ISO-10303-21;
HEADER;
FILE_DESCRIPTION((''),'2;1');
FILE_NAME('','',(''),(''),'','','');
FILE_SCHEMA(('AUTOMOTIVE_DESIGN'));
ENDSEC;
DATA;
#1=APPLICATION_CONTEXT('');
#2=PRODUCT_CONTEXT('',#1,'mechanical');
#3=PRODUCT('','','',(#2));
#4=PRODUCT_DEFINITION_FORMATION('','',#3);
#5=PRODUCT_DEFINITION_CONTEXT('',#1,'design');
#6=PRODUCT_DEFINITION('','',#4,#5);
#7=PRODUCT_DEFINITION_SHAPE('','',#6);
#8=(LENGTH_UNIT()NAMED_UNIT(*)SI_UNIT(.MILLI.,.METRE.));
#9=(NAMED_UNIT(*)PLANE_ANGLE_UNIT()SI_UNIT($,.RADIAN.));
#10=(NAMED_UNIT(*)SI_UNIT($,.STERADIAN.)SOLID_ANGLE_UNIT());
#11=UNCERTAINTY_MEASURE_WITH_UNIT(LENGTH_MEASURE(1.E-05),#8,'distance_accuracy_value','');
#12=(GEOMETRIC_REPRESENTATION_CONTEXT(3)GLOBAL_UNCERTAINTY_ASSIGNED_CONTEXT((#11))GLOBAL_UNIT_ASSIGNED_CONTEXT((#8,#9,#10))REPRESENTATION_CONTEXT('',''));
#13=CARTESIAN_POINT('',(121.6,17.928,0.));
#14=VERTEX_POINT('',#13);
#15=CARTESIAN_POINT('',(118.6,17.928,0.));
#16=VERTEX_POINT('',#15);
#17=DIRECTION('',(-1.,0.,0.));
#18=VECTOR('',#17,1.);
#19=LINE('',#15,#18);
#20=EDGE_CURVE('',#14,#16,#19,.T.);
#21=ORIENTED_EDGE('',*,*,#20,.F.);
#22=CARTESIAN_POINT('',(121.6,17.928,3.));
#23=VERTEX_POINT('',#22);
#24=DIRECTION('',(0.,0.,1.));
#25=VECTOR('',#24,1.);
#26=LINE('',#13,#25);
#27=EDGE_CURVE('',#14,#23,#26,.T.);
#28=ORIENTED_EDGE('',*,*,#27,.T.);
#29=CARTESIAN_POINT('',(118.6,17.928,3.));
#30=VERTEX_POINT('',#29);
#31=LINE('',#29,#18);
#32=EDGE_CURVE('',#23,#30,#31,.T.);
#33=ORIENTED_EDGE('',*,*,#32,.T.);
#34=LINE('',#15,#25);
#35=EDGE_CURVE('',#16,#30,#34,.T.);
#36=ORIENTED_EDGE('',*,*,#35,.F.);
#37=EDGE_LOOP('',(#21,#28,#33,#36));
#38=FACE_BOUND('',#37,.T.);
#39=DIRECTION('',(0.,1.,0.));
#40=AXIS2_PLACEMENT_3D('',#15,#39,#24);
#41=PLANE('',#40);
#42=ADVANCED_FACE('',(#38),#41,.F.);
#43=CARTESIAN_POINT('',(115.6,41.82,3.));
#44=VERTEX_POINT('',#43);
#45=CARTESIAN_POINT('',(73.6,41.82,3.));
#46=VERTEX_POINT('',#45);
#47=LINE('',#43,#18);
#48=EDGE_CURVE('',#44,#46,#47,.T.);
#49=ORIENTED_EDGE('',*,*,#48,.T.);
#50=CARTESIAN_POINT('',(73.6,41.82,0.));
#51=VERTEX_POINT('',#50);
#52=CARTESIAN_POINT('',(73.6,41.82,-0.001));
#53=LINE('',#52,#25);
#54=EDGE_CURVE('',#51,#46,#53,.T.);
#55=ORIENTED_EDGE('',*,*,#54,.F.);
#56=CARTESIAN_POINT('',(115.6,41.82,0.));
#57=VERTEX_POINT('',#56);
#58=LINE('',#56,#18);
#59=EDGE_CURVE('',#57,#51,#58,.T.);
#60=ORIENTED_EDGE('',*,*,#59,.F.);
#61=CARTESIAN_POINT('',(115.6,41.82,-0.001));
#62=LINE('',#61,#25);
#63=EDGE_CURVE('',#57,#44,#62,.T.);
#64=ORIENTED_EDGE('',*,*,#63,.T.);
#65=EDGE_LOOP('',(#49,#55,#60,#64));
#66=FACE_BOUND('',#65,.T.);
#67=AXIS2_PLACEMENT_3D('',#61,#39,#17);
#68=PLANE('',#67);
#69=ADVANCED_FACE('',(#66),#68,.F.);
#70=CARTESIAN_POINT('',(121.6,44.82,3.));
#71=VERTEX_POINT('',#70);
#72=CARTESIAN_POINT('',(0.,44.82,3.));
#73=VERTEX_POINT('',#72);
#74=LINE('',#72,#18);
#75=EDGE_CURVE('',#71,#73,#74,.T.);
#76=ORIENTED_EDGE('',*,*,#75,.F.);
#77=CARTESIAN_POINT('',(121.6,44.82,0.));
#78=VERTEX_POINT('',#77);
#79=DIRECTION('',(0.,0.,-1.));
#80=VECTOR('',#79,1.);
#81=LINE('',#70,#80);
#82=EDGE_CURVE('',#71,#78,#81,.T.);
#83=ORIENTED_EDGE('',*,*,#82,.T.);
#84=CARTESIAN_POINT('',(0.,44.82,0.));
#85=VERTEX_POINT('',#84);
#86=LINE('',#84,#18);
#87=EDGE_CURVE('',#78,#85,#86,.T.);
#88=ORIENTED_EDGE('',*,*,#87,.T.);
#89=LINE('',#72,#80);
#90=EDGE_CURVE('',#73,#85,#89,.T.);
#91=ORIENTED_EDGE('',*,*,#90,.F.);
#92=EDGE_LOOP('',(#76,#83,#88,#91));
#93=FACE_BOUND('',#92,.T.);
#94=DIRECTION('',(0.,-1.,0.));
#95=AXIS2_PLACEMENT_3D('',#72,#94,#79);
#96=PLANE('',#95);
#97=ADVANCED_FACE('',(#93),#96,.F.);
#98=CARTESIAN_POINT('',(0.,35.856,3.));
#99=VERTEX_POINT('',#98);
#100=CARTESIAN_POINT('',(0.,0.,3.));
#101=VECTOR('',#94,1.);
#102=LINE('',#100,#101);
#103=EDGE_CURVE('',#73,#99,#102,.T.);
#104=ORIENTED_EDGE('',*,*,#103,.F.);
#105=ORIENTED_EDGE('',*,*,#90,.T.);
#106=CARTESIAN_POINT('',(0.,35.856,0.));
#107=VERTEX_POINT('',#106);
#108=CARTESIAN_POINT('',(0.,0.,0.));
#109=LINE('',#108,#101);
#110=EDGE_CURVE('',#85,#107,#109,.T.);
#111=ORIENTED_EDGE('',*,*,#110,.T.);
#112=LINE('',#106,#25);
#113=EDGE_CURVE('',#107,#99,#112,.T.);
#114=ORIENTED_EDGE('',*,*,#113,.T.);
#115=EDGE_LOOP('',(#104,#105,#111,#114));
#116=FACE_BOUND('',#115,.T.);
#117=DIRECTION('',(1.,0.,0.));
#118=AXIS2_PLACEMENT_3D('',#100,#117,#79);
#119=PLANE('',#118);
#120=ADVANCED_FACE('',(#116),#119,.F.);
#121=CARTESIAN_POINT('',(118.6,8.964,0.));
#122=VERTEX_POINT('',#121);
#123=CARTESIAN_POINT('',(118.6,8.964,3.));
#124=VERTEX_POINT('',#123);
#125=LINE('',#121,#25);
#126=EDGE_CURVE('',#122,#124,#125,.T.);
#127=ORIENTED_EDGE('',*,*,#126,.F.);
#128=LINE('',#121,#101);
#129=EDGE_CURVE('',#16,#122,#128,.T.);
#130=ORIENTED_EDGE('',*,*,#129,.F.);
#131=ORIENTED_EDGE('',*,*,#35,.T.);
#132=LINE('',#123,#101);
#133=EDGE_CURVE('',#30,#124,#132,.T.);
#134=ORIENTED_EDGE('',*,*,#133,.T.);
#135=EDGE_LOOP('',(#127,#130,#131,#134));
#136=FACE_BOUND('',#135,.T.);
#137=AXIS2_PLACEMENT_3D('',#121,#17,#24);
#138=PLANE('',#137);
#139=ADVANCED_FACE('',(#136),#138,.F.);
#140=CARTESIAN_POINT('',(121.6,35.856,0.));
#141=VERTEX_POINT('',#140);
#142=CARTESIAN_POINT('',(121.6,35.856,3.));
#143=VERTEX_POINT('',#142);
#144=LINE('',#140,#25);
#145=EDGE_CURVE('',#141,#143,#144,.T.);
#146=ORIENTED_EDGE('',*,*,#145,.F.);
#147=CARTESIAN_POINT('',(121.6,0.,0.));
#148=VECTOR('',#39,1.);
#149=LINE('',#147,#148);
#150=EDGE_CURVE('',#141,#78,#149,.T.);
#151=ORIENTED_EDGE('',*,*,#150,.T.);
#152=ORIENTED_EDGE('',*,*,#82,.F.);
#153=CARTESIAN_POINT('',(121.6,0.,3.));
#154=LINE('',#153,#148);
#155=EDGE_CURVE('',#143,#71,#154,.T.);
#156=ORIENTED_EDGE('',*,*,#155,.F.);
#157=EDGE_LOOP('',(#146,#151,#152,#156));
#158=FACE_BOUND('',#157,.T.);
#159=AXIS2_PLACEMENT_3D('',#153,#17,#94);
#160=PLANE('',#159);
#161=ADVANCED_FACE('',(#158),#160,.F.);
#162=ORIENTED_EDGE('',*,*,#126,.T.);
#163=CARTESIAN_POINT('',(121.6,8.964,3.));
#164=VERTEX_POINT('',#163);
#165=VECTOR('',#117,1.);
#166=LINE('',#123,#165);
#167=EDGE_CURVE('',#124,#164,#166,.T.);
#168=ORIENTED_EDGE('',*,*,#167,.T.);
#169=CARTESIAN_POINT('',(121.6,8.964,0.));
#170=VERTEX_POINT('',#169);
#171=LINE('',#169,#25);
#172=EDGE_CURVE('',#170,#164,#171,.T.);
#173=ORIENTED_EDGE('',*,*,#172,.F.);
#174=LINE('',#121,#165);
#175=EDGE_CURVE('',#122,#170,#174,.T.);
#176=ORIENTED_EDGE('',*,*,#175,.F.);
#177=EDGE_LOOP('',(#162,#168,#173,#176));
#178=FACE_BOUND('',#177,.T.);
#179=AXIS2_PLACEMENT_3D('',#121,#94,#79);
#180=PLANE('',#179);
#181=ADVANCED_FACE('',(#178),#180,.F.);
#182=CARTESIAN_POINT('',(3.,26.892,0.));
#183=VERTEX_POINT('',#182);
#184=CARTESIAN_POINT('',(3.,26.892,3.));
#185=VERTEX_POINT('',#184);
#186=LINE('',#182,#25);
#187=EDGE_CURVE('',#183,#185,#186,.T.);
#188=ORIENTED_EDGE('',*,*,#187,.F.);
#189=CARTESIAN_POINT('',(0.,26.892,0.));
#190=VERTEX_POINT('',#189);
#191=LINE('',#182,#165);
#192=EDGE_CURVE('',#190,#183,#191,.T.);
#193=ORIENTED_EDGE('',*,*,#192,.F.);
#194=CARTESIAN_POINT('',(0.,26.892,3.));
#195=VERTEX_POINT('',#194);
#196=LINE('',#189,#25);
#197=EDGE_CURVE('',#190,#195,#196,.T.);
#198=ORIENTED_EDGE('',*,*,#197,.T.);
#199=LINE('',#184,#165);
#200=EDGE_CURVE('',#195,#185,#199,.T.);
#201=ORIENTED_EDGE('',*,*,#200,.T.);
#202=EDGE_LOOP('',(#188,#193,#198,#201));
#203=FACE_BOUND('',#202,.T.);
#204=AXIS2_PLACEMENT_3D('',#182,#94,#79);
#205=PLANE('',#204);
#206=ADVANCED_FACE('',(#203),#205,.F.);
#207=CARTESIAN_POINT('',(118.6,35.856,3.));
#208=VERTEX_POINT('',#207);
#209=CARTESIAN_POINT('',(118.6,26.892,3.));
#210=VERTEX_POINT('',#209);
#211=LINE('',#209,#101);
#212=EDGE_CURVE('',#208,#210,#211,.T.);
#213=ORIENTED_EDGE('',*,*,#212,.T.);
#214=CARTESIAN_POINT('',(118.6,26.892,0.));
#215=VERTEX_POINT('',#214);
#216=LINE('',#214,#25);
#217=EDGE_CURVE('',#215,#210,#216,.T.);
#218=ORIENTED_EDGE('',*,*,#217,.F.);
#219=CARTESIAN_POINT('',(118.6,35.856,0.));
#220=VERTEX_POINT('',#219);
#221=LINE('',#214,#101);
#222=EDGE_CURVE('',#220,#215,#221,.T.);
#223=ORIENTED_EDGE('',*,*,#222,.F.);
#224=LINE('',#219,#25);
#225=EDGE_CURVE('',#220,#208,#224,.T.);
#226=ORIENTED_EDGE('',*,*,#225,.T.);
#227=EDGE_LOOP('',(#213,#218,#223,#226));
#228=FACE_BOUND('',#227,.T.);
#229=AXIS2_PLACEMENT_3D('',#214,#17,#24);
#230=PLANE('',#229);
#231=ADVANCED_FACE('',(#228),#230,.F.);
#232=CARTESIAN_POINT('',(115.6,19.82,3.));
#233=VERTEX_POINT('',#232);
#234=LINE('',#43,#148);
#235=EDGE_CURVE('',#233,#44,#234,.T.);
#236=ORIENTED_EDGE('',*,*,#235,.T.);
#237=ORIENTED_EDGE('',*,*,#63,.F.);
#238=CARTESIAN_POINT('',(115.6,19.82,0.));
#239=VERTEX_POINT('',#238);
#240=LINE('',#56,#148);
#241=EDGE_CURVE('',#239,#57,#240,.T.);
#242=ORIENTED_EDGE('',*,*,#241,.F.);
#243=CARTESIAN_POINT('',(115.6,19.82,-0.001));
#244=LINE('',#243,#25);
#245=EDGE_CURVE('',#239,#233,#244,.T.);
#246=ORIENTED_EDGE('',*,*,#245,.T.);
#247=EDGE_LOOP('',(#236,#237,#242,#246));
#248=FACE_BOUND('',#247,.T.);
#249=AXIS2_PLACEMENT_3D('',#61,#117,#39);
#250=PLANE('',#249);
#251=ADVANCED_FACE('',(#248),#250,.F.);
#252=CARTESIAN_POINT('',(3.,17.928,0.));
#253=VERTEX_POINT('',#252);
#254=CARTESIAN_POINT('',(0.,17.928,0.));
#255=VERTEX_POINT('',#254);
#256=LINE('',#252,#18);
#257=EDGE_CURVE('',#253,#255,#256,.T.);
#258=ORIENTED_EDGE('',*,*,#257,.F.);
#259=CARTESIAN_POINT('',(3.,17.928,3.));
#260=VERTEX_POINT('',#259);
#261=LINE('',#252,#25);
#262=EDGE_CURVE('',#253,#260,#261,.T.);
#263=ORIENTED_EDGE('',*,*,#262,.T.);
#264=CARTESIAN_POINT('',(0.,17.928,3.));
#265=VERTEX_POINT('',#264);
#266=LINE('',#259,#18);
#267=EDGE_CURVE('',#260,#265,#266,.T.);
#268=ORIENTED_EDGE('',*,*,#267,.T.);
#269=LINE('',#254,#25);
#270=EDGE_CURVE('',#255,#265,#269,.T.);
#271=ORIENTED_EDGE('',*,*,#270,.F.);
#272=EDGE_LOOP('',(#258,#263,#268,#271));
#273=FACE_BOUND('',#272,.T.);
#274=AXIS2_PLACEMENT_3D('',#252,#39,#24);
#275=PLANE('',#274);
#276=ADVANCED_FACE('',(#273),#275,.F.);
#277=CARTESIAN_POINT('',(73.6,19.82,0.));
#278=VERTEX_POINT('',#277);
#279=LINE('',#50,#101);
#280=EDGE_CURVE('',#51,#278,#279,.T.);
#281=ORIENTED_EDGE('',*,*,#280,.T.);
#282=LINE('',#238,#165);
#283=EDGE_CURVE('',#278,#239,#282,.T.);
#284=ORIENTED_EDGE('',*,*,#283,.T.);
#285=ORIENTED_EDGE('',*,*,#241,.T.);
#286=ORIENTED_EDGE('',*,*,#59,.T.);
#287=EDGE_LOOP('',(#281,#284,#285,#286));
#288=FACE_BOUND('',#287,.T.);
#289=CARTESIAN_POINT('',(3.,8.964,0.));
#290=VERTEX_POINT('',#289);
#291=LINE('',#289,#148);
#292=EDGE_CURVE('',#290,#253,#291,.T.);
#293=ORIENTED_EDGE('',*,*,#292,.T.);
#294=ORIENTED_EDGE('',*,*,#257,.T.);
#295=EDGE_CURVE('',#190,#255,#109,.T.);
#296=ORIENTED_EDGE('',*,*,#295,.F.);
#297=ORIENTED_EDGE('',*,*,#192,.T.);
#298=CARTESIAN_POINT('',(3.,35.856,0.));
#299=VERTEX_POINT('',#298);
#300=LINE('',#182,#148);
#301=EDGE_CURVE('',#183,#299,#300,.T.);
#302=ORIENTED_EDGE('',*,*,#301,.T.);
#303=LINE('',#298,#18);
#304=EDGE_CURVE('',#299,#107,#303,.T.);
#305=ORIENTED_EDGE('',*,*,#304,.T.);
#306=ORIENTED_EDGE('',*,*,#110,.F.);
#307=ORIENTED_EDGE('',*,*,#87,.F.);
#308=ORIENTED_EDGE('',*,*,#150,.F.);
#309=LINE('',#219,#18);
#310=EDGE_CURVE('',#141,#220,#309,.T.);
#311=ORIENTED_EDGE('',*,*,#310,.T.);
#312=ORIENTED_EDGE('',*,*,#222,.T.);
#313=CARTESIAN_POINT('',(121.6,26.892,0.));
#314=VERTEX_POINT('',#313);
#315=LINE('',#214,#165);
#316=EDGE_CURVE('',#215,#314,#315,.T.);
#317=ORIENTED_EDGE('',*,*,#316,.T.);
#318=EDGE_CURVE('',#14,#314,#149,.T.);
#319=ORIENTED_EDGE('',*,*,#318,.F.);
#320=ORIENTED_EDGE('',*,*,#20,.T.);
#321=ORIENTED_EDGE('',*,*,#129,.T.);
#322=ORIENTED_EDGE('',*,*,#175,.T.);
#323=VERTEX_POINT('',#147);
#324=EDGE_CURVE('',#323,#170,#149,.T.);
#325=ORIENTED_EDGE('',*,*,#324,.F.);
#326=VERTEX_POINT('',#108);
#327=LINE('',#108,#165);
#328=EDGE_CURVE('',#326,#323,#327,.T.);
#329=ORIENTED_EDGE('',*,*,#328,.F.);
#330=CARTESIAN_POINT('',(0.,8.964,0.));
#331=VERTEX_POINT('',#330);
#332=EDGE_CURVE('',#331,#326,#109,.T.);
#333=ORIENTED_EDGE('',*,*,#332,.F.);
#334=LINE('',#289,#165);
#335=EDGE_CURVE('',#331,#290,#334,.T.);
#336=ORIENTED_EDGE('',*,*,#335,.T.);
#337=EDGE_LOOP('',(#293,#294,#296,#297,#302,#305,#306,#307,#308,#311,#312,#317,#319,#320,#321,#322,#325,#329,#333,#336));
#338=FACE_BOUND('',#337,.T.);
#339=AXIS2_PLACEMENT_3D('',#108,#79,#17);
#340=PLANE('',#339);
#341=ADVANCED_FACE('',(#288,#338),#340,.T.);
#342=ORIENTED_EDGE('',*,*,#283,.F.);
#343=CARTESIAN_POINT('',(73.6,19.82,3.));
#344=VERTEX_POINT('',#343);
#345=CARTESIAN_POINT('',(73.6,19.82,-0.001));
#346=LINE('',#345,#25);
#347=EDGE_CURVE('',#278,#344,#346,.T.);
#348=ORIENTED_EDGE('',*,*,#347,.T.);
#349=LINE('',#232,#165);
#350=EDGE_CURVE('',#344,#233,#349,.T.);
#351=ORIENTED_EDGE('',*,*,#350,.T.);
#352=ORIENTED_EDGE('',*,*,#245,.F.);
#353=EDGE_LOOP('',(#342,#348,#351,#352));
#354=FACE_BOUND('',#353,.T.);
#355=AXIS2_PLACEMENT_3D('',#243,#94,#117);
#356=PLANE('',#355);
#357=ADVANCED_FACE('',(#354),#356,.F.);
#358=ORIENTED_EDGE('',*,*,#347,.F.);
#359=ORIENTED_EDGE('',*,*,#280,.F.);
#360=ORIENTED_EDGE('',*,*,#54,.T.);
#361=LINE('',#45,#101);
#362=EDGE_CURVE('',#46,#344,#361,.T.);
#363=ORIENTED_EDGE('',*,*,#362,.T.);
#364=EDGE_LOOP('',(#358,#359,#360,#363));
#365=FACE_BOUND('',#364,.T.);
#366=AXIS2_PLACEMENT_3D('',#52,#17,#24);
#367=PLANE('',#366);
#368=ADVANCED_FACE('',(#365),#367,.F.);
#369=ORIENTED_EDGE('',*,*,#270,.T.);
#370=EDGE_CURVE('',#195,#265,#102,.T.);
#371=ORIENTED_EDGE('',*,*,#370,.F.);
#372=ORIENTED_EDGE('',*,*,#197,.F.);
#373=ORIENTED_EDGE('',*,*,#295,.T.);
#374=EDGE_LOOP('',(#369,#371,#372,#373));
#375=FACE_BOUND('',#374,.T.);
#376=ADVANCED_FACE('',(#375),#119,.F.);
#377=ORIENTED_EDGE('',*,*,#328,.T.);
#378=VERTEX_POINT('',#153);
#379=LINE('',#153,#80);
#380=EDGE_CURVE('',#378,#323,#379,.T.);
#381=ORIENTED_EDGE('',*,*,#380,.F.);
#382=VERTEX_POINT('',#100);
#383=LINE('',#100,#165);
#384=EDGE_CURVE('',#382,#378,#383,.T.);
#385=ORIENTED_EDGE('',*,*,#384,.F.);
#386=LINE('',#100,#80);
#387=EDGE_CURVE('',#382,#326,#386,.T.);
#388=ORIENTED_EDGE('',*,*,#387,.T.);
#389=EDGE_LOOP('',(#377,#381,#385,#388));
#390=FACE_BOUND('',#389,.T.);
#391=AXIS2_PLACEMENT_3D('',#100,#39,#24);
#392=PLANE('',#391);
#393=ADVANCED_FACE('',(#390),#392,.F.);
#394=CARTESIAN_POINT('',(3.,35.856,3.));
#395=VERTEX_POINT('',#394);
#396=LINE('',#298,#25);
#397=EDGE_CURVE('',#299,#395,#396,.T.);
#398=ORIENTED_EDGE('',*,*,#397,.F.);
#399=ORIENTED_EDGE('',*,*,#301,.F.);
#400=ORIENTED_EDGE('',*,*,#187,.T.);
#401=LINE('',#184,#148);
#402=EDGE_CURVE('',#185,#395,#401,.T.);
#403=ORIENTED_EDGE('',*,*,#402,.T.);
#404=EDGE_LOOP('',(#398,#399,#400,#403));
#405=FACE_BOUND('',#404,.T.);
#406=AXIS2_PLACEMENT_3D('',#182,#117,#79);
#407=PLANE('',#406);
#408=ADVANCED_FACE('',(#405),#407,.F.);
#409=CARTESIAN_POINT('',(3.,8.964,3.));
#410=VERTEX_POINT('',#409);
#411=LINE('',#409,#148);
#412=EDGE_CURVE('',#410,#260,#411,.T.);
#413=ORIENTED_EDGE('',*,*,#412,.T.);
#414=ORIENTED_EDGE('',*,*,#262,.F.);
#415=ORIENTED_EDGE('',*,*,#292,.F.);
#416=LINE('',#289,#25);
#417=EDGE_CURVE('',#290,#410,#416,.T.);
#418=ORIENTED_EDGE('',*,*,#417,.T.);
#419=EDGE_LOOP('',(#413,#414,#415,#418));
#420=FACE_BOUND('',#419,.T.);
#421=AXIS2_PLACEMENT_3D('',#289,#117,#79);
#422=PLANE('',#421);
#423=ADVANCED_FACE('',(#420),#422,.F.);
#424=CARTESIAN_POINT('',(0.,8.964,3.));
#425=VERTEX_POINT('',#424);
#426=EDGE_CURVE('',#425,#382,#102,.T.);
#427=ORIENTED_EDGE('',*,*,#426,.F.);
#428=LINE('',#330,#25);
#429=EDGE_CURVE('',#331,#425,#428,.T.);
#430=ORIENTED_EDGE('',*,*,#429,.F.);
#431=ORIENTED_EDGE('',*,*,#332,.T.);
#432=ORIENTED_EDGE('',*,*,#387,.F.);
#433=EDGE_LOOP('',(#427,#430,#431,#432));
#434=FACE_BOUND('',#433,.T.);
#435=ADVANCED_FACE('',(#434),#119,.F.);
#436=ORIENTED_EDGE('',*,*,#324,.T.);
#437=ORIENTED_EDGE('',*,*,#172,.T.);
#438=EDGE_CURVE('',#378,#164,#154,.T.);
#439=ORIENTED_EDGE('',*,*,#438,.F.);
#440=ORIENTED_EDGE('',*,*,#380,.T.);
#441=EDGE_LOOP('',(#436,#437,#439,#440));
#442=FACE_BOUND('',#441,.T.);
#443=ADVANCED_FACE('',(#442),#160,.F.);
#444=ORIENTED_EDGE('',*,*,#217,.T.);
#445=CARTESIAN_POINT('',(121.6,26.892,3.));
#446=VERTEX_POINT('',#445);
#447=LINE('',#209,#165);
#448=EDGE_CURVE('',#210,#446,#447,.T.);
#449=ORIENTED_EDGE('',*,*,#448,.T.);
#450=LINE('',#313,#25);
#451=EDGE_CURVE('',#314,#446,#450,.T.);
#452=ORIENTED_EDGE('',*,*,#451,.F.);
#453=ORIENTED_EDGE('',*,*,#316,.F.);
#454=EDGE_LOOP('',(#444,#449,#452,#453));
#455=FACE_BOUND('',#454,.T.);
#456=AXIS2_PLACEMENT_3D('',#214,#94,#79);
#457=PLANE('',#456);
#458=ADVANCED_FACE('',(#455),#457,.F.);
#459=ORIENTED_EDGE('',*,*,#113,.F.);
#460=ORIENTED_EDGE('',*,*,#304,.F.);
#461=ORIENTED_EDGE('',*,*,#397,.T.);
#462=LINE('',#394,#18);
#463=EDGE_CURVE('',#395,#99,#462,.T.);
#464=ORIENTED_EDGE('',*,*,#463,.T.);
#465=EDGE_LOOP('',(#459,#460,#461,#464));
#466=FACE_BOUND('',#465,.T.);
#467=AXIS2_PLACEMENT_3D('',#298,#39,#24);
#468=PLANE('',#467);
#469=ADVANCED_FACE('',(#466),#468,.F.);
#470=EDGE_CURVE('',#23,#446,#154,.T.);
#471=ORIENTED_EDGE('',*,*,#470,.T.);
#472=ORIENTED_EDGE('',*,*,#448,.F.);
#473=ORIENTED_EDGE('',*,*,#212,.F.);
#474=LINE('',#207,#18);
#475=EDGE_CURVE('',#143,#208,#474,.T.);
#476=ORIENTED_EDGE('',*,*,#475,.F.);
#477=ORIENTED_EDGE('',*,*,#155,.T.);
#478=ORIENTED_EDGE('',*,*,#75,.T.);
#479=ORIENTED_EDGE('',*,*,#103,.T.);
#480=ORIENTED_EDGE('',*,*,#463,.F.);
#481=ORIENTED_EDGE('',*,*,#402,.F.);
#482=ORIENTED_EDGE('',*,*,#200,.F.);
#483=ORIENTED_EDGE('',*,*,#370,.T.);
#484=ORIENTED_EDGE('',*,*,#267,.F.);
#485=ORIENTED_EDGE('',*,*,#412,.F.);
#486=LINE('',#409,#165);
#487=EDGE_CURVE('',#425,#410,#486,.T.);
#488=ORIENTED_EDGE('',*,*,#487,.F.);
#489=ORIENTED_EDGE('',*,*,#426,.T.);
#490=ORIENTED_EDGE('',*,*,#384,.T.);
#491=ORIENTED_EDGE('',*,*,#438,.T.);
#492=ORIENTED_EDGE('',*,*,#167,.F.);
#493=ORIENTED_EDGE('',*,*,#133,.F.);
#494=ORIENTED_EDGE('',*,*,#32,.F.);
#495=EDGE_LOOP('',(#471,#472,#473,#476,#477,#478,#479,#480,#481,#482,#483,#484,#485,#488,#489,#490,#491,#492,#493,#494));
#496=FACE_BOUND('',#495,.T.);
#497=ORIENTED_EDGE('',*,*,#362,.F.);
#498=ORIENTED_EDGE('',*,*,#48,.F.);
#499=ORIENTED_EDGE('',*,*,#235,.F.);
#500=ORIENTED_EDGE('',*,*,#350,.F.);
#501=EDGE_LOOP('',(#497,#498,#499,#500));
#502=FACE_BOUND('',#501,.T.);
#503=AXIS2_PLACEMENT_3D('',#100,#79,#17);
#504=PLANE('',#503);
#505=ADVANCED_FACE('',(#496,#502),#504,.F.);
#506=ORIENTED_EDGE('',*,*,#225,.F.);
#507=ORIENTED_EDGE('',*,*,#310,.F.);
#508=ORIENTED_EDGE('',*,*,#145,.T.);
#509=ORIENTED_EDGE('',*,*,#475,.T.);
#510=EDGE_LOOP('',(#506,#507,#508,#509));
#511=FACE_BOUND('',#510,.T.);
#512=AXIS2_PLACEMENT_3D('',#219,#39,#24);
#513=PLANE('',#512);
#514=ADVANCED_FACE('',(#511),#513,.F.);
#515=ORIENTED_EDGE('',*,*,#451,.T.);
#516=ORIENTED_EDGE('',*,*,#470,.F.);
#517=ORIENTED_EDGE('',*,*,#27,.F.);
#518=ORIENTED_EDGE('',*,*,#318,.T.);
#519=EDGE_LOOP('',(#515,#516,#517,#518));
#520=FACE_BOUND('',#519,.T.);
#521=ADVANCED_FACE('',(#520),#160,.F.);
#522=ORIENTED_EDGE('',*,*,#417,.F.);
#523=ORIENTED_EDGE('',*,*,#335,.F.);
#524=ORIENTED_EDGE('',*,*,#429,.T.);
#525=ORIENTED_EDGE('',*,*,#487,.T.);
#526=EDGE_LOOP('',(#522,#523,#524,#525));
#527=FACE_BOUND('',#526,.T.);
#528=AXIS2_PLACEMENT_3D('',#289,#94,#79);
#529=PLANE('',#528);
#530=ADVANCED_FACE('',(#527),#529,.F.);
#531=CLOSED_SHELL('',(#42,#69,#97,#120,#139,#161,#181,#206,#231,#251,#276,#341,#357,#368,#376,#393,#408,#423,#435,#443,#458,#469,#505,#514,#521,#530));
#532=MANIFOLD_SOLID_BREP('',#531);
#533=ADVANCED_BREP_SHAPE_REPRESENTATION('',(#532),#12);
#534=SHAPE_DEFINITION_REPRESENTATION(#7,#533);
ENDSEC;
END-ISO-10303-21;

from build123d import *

# Parameters (mm, degrees)
SKETCH1_W           = 121.6
SKETCH1_H           = 44.82
BOSS_EXTRUDE1_DEPTH = 3
CUT_EXTRUDE1_REACH  = 5
SKETCH4_W           = 42
SKETCH4_H           = 22
SKETCH5_W           = 3
SKETCH5_H           = 8.964
CUT_EXTRUDE2_DEPTH  = 4


with BuildPart() as part:
    # Sketch1 → Boss-Extrude1 (new body)
    with BuildSketch(Plane.XY):
        with Locations((60.8, 22.41)):
            Rectangle(SKETCH1_W, SKETCH1_H)
    extrude(amount=BOSS_EXTRUDE1_DEPTH)

    # Sketch4 → Cut-Extrude1 (cut, up to next)
    with BuildSketch(Plane.XY.offset(3), mode=Mode.PRIVATE) as cut_extrude1_sk1:
        with Locations((94.6, 30.82)):
            Rectangle(SKETCH4_W, SKETCH4_H)
    cut_extrude1_tool1 = extrude(cut_extrude1_sk1.sketch, amount=-CUT_EXTRUDE1_REACH, mode=Mode.PRIVATE) & part.part
    add(cut_extrude1_tool1.solids().sort_by_distance((94.6, 30.82, 3))[0], mode=Mode.SUBTRACT)

    # Sketch5 → Cut-Extrude2 (cut, through all)
    with BuildSketch(Plane.XY.offset(3)):
        with Locations((1.5, 13.446)):
            Rectangle(SKETCH5_W, SKETCH5_H)
        with Locations((1.5, 31.374)):
            Rectangle(SKETCH5_W, SKETCH5_H)
        with Locations((120.1, 13.446)):
            Rectangle(SKETCH5_W, SKETCH5_H)
        with Locations((120.1, 31.374)):
            Rectangle(SKETCH5_W, SKETCH5_H)
    extrude(amount=-CUT_EXTRUDE2_DEPTH, mode=Mode.SUBTRACT)


solid = part.part
